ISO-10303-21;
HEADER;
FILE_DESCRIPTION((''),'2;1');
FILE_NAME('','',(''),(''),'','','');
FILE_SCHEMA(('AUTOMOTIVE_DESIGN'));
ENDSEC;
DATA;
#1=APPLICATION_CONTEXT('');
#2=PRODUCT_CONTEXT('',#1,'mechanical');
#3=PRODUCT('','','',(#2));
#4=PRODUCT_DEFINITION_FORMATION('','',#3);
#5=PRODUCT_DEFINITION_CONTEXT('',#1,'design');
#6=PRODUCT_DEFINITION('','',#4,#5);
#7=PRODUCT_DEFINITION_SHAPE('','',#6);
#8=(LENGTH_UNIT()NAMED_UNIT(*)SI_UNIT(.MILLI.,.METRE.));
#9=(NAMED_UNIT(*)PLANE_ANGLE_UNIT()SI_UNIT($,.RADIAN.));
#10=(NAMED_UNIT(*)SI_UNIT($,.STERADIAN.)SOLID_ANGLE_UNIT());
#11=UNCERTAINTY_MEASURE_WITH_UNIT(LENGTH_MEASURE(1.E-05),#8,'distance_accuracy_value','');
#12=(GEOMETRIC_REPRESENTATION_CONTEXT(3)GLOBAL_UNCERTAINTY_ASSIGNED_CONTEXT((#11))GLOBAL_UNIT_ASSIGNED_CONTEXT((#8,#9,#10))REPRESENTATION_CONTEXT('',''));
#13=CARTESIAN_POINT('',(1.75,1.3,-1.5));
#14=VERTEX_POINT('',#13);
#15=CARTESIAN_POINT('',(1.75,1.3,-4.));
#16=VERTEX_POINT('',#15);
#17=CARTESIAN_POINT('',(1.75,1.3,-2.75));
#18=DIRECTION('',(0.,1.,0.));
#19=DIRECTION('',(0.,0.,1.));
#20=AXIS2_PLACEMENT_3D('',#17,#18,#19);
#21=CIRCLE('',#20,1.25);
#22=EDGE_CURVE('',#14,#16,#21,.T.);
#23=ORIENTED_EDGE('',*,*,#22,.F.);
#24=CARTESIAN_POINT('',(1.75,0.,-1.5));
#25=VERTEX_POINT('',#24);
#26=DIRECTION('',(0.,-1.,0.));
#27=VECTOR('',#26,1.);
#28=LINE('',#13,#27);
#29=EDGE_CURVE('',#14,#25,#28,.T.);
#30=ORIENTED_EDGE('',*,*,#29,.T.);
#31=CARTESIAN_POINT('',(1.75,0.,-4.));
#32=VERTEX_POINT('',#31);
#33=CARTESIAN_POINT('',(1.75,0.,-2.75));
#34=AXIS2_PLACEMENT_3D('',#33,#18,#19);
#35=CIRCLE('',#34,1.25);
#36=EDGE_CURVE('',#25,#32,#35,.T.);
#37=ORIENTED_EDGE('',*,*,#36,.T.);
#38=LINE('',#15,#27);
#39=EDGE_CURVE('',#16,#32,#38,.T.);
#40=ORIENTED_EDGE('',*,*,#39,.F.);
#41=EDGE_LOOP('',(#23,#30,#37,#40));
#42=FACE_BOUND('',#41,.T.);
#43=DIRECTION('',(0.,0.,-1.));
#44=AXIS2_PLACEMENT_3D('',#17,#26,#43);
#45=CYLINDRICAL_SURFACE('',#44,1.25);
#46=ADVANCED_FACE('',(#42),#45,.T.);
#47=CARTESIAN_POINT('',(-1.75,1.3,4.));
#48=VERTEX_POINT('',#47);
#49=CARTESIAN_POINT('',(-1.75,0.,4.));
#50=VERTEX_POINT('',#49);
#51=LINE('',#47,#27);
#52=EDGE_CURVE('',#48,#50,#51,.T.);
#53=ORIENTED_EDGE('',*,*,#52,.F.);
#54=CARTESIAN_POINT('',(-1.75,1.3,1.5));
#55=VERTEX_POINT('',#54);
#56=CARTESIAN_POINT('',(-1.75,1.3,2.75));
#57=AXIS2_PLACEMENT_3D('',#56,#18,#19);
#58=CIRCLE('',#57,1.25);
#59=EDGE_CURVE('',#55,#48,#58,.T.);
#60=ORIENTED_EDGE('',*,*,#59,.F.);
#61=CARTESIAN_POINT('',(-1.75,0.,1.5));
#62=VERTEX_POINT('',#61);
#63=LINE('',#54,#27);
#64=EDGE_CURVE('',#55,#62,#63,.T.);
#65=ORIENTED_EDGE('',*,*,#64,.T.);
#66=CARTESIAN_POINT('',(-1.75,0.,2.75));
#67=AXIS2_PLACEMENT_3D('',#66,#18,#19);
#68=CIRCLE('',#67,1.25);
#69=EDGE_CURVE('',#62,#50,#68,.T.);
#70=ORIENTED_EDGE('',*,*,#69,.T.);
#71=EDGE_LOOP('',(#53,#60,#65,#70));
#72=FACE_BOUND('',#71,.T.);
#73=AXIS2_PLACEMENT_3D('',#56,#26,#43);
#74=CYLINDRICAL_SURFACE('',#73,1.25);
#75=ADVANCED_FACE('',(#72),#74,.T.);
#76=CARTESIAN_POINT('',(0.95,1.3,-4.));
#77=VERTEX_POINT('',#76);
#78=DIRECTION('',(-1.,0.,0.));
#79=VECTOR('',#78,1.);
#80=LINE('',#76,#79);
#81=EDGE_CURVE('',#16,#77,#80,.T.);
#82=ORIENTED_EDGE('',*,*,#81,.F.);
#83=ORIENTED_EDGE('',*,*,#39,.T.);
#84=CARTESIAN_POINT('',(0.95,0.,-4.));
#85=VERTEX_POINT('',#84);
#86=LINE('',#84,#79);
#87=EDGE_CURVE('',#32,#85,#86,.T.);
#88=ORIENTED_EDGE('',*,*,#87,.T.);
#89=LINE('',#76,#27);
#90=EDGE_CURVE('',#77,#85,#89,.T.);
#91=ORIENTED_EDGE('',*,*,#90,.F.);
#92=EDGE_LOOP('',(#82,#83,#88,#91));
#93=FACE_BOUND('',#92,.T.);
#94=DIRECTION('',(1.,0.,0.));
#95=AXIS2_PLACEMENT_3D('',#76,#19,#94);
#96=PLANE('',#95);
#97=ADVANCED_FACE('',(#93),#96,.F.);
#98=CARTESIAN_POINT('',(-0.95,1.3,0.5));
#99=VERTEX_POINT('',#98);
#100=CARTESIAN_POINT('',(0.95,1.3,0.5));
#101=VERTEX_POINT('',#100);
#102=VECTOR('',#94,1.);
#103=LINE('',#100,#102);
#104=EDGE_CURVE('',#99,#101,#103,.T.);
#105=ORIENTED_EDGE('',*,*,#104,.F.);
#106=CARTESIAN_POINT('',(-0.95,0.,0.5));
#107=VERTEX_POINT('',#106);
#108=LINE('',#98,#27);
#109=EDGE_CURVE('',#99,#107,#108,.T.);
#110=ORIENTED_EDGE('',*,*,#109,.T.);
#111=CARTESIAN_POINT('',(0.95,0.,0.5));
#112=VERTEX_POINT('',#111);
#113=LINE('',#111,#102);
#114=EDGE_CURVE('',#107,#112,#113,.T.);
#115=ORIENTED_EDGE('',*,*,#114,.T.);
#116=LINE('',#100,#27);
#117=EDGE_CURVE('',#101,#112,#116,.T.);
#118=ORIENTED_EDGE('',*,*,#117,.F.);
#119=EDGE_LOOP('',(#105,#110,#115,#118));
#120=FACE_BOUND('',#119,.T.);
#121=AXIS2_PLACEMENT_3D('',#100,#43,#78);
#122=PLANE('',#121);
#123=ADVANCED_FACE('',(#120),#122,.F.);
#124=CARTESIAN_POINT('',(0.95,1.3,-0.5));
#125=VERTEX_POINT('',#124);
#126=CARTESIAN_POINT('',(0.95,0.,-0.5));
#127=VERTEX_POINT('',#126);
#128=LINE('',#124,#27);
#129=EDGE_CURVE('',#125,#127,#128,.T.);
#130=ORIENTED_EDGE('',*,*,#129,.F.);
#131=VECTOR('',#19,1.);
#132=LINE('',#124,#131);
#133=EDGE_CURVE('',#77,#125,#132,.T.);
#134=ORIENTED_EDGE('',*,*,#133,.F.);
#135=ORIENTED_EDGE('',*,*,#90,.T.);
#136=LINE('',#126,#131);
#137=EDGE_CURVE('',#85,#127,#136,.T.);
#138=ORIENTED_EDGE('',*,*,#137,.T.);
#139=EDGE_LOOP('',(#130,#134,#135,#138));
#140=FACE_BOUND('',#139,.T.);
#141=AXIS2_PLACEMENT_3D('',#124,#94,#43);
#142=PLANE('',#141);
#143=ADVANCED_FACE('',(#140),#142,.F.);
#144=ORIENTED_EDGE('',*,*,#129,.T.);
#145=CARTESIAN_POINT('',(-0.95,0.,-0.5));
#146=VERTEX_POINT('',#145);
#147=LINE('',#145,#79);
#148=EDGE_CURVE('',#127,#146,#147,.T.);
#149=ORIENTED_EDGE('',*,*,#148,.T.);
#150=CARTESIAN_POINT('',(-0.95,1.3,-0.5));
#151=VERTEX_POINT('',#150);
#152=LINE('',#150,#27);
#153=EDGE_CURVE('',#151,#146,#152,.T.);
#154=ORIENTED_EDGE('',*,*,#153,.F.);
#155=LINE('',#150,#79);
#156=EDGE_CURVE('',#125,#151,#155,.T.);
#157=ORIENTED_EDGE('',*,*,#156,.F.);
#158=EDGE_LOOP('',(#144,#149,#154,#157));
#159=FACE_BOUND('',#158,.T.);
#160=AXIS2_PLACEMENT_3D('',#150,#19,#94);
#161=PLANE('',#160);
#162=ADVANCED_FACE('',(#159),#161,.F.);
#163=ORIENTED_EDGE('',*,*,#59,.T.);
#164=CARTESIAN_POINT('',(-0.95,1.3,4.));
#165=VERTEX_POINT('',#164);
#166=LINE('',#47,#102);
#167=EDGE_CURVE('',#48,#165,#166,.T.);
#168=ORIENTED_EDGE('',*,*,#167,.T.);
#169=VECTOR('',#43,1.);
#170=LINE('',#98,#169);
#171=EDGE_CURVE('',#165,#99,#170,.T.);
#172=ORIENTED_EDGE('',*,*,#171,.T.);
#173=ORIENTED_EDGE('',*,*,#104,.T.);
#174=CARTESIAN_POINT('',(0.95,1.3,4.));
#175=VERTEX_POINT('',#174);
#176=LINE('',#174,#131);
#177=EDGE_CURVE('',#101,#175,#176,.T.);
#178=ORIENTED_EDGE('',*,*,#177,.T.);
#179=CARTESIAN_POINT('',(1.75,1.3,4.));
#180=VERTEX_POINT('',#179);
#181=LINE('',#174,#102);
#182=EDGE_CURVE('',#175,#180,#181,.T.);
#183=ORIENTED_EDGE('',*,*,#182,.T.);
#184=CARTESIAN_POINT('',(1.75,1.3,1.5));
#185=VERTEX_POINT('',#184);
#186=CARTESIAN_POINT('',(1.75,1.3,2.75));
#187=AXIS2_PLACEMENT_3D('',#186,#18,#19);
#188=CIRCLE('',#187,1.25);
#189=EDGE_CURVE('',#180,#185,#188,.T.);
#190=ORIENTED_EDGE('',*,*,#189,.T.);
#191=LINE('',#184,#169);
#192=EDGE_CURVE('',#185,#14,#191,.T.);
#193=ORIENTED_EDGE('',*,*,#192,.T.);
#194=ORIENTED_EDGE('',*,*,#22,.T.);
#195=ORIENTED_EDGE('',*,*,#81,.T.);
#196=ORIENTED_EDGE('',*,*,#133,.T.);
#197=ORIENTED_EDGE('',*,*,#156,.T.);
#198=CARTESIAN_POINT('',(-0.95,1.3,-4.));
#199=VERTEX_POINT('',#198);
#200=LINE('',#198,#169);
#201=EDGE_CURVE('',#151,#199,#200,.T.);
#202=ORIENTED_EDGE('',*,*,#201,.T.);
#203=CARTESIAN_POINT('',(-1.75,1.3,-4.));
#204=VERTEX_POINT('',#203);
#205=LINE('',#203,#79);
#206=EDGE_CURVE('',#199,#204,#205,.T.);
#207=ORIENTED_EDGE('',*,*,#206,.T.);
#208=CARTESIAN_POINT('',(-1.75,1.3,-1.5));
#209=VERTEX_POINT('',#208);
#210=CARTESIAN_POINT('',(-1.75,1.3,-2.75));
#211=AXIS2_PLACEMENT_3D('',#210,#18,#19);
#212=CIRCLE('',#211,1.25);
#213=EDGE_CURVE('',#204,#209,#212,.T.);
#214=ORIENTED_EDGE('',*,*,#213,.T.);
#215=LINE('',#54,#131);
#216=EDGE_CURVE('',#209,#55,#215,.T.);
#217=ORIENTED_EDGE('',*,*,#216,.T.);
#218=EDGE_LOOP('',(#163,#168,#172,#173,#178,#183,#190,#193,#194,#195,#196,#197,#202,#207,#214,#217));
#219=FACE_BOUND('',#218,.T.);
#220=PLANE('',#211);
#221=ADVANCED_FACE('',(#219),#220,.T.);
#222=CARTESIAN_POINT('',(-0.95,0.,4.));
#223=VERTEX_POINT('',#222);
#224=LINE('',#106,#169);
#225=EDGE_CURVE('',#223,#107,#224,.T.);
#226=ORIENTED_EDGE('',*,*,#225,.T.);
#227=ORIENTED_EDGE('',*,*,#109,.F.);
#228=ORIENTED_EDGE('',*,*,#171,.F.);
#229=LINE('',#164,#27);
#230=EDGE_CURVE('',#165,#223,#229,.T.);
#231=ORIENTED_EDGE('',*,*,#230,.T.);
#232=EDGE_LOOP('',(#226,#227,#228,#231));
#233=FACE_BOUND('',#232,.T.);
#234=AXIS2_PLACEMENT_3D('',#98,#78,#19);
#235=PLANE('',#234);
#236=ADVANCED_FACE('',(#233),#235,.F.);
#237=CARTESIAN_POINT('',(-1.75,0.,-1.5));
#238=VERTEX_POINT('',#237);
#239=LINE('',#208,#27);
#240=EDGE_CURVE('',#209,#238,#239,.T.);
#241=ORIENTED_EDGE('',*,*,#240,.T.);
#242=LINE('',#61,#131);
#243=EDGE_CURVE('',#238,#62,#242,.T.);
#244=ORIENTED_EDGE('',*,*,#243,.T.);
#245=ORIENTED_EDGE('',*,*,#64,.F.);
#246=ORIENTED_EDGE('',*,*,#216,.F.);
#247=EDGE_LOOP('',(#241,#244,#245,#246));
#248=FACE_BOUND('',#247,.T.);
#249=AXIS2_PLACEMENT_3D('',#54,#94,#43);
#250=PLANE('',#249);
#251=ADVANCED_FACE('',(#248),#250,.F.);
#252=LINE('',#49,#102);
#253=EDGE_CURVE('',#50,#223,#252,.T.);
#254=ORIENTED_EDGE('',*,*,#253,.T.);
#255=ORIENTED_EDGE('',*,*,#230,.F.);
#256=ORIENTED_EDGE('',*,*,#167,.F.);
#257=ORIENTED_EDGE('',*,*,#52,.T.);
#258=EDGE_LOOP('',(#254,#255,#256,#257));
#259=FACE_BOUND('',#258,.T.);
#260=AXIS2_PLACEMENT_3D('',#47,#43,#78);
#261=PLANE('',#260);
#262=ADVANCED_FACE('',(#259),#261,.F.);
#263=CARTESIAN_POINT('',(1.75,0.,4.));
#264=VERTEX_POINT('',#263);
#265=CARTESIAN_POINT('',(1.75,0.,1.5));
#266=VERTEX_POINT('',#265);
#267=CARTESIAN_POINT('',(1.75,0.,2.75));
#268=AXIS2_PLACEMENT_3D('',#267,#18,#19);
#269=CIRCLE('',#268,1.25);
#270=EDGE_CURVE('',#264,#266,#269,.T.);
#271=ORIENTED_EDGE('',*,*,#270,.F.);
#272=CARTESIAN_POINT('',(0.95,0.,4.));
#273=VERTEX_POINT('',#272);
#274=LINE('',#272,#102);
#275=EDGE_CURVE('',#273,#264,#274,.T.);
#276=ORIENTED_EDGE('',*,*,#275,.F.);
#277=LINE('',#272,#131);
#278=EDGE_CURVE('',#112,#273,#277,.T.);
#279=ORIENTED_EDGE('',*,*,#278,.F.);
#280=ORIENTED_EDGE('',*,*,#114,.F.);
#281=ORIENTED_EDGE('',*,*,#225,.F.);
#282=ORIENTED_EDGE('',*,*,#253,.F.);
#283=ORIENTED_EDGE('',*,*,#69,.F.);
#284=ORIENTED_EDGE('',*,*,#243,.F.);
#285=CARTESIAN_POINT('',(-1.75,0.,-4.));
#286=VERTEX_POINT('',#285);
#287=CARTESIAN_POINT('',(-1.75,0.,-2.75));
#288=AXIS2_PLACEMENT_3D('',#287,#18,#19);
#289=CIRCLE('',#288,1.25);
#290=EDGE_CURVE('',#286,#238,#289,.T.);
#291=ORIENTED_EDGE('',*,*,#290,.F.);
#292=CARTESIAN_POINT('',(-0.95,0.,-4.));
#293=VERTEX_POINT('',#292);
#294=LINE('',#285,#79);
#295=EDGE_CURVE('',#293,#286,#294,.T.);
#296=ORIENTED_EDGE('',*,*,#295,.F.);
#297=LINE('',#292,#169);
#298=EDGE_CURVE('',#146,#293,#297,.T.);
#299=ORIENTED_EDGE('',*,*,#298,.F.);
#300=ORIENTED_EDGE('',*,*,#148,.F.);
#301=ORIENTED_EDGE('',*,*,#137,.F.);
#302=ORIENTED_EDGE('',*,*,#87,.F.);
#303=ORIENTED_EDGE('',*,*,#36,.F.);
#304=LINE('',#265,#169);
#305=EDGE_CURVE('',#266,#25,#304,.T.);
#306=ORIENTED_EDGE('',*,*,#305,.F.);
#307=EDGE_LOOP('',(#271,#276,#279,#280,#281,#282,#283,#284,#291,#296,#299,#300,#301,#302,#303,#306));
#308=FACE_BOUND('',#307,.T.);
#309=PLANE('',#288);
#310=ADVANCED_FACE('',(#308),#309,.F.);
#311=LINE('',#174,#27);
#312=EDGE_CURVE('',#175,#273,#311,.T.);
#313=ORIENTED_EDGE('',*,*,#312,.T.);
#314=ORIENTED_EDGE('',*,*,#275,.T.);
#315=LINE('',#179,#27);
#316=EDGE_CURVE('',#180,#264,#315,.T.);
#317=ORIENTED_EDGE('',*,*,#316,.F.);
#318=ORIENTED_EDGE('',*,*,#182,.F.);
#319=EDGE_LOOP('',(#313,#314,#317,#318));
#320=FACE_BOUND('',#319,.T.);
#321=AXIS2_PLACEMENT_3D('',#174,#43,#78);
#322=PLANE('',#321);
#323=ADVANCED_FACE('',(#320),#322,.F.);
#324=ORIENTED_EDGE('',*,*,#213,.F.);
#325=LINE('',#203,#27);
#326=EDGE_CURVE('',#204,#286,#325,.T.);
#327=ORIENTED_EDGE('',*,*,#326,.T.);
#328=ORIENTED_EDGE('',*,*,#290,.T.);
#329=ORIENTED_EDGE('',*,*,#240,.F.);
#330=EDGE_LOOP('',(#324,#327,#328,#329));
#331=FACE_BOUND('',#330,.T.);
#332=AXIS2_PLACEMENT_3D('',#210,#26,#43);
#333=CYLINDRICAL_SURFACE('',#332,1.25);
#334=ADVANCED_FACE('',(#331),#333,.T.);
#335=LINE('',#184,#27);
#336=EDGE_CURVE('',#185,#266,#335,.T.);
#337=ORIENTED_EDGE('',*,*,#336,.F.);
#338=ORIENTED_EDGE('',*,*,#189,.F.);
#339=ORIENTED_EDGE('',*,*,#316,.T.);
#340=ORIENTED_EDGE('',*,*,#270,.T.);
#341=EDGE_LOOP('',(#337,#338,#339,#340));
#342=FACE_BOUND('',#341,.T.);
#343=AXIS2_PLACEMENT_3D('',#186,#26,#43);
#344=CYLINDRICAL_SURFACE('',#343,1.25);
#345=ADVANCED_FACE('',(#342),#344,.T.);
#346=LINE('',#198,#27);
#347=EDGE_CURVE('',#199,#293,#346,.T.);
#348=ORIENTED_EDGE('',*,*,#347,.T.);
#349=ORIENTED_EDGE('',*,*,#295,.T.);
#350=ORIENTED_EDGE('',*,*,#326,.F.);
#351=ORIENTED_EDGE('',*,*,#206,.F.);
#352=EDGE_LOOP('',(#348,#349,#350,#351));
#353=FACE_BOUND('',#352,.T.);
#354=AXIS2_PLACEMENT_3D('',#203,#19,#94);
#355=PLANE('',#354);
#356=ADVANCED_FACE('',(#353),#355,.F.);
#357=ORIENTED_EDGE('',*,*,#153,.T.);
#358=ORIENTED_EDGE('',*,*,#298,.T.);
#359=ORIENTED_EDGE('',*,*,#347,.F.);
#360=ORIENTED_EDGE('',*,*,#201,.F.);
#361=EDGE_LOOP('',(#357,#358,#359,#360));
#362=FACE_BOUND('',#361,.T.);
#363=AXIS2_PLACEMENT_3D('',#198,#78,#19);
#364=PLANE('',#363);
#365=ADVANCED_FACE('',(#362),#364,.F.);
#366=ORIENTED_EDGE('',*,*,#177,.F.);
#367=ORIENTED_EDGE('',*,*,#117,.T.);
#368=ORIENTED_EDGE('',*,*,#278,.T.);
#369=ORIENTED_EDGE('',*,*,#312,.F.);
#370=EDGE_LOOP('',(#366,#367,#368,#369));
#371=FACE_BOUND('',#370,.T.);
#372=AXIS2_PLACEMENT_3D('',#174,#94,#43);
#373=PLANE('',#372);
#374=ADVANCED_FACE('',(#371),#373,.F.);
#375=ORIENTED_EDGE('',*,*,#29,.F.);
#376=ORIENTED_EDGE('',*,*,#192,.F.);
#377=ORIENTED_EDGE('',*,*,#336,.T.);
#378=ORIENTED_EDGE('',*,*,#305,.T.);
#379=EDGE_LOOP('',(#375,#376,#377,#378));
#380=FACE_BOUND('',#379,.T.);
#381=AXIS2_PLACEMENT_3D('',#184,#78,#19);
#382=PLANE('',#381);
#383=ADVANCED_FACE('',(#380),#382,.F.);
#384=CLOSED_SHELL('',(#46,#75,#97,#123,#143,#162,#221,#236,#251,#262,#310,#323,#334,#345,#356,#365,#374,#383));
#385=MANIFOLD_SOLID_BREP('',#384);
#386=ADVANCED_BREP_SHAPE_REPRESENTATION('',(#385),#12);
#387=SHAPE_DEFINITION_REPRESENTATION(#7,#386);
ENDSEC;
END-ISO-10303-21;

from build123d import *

# Parameters (mm, degrees)
BOSS_EXTRUDE1_DEPTH = 1.3


with BuildPart() as part:
    # Sketch1 → Boss-Extrude1 (new body)
    with BuildSketch(Plane(origin=(0, 0, 0), x_dir=(1, 0, 0), z_dir=(0, 1, 0))):
        with BuildLine():
            Line((-0.95, 4), (-0.95, 0.5))
            Line((-0.95, 0.5), (0.95, 0.5))
            Line((0.95, 0.5), (0.95, 4))
            Line((0.95, 4), (1.75, 4))
            ThreePointArc((1.75, 4), (3, 2.75), (1.75, 1.5))
            Line((1.75, 1.5), (1.75, -1.5))
            ThreePointArc((1.75, -1.5), (3, -2.75), (1.75, -4))
            Line((1.75, -4), (0.95, -4))
            Line((0.95, -4), (0.95, -0.5))
            Line((0.95, -0.5), (-0.95, -0.5))
            Line((-0.95, -0.5), (-0.95, -4))
            Line((-0.95, -4), (-1.75, -4))
            ThreePointArc((-1.75, -4), (-3, -2.75), (-1.75, -1.5))
            Line((-1.75, -1.5), (-1.75, 1.5))
            ThreePointArc((-1.75, 1.5), (-3, 2.75), (-1.75, 4))
            Line((-1.75, 4), (-0.95, 4))
        make_face()
    extrude(amount=BOSS_EXTRUDE1_DEPTH)


solid = part.part
